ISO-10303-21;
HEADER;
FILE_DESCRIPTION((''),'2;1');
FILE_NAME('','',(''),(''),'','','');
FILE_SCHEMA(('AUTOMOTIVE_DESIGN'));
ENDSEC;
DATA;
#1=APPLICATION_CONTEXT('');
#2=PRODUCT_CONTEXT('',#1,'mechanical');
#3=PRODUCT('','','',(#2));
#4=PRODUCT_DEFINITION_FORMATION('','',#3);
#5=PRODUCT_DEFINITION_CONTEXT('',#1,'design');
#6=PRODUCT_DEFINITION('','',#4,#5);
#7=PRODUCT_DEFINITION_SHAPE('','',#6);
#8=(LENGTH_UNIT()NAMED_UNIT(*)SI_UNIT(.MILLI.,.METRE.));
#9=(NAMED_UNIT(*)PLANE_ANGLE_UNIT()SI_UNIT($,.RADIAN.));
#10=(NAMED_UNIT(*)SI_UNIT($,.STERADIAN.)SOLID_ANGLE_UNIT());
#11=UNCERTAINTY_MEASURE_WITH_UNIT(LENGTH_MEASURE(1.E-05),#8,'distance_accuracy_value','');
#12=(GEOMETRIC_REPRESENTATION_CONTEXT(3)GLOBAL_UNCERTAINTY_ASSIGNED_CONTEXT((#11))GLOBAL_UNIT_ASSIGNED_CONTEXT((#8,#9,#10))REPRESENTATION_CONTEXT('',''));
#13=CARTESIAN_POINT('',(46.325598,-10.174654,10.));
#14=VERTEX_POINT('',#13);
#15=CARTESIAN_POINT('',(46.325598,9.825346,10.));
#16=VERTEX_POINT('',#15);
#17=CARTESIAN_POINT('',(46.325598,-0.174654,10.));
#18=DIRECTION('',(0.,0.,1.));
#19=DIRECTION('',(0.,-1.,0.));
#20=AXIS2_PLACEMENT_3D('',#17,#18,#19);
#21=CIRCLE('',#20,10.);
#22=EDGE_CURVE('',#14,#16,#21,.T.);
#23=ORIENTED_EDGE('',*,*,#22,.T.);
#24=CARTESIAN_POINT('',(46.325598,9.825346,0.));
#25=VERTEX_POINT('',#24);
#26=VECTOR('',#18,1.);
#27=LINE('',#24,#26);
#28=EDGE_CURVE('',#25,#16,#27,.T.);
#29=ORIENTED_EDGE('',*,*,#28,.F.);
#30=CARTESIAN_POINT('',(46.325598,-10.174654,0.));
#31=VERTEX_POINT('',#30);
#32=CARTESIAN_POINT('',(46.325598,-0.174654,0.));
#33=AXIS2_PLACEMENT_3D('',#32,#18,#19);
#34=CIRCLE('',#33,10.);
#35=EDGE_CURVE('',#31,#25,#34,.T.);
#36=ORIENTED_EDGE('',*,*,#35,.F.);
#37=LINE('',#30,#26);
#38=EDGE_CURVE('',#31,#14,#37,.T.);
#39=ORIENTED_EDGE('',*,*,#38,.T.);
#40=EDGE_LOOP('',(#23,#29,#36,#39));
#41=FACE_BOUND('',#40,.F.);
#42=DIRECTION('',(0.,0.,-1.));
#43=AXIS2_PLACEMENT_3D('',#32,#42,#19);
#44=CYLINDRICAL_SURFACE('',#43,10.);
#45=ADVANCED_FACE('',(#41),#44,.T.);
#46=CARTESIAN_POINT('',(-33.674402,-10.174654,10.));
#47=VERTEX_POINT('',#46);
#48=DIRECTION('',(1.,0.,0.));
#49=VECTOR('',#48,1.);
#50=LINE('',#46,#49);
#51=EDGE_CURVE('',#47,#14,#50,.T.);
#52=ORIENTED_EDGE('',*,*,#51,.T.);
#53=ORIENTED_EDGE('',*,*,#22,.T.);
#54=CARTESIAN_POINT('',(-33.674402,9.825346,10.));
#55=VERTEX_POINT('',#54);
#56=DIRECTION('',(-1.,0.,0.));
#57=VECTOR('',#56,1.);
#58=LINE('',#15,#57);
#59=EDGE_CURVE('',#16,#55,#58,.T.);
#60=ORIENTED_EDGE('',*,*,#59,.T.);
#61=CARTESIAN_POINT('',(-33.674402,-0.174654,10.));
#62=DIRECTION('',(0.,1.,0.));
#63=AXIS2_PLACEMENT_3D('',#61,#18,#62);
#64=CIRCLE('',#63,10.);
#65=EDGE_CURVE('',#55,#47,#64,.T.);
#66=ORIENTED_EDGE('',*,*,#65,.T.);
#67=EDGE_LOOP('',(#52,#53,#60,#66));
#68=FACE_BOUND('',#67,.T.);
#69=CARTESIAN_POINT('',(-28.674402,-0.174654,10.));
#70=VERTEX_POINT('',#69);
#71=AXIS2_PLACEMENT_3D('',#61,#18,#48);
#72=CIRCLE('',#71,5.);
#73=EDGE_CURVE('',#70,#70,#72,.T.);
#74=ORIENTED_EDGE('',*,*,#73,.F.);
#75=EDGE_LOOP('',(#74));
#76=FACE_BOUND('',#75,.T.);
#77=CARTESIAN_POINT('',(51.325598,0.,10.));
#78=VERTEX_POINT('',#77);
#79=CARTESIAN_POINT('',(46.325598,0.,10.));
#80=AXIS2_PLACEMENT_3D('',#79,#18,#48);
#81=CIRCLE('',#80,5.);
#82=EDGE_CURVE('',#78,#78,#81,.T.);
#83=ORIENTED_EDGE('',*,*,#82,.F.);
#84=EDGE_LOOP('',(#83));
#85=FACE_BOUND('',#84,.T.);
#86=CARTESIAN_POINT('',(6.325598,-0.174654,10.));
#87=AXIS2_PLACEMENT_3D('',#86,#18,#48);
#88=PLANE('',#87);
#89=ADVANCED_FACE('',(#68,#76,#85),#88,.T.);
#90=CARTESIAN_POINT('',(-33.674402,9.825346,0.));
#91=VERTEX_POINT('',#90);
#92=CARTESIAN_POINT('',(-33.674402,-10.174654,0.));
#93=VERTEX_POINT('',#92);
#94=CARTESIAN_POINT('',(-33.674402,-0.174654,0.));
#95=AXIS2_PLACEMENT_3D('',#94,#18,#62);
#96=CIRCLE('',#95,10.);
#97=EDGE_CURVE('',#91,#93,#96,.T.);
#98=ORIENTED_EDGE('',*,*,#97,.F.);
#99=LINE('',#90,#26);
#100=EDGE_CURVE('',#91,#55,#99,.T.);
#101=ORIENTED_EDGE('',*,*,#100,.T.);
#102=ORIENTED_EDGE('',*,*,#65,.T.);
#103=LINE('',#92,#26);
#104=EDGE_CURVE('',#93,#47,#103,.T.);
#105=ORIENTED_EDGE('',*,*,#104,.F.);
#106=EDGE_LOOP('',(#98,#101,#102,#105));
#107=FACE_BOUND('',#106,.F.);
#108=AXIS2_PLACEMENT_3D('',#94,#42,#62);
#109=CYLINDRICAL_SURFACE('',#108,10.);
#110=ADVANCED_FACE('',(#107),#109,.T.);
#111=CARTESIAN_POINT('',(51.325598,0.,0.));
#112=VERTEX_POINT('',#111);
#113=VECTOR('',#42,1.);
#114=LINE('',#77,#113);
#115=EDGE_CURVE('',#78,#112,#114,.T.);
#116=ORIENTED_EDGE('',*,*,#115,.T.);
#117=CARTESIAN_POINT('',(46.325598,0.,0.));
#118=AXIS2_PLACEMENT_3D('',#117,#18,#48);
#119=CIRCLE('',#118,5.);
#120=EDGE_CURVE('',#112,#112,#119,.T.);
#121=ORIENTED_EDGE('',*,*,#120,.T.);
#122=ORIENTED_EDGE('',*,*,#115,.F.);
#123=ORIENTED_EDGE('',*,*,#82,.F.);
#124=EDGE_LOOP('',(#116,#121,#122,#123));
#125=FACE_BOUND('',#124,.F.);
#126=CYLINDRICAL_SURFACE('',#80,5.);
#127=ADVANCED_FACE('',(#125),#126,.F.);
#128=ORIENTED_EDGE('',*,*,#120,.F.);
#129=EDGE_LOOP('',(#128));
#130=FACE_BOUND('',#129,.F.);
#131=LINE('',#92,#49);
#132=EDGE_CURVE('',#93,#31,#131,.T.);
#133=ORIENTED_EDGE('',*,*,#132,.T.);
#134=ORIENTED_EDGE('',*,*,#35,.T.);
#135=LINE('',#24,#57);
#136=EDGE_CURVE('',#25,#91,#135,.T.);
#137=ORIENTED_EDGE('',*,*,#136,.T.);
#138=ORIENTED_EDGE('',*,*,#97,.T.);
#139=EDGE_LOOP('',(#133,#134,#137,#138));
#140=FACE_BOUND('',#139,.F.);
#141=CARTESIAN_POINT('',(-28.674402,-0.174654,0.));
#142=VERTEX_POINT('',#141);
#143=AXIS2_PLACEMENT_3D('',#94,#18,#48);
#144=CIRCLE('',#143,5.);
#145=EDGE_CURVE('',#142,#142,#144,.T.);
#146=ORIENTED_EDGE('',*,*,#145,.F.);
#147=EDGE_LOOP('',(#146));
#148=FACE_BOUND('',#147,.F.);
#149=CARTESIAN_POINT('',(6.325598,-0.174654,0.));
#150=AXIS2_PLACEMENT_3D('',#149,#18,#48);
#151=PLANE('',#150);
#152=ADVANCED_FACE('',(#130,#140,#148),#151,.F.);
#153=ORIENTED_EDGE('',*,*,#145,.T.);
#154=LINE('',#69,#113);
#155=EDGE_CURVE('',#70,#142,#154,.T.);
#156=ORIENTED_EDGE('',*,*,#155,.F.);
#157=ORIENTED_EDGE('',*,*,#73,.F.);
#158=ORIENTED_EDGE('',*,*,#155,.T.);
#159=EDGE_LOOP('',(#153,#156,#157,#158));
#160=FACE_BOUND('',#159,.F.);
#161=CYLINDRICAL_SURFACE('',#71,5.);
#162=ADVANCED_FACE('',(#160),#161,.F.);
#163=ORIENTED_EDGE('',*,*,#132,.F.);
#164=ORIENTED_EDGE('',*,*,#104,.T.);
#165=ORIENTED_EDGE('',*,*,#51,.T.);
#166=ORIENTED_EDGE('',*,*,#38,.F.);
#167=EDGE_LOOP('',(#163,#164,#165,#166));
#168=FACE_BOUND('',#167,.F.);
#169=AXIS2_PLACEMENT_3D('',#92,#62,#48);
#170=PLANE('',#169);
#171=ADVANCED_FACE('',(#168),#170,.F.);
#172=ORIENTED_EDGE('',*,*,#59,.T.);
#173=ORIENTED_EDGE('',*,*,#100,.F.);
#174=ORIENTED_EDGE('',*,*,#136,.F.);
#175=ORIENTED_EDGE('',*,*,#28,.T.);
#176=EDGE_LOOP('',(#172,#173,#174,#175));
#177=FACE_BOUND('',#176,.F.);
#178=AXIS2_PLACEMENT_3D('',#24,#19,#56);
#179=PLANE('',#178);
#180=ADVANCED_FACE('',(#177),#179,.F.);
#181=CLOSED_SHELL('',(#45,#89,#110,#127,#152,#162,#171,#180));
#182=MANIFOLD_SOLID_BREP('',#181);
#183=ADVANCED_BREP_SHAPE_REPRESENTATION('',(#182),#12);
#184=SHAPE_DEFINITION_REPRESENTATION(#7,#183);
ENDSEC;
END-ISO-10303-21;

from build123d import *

# Parameters (mm, degrees)
F1_DEPTH = 10
F2_R     = 5
F3_DEPTH = 10.001


with BuildPart() as f1:
    # F0 (on Top) → F1 (new body)
    with BuildSketch(Plane.XY):
        with BuildLine():
            Line((46.325598, 9.825346), (-33.674402, 9.825346))
            ThreePointArc((-33.674402, 9.825346), (-43.674402, -0.174654), (-33.674402, -10.174654))
            Line((-33.674402, -10.174654), (46.325598, -10.174654))
            ThreePointArc((46.325598, -10.174654), (56.325598, -0.174654), (46.325598, 9.825346))
        make_face()
    extrude(amount=F1_DEPTH)

    # F2 (on face) → F3 (cut, through all)
    with BuildSketch(Plane.XY.offset(10)):
        with Locations((-33.674402, -0.174654)):
            Circle(F2_R)
        with Locations((46.325598, 0)):
            Circle(F2_R)
    extrude(amount=-F3_DEPTH, mode=Mode.SUBTRACT)


solid = f1.part
